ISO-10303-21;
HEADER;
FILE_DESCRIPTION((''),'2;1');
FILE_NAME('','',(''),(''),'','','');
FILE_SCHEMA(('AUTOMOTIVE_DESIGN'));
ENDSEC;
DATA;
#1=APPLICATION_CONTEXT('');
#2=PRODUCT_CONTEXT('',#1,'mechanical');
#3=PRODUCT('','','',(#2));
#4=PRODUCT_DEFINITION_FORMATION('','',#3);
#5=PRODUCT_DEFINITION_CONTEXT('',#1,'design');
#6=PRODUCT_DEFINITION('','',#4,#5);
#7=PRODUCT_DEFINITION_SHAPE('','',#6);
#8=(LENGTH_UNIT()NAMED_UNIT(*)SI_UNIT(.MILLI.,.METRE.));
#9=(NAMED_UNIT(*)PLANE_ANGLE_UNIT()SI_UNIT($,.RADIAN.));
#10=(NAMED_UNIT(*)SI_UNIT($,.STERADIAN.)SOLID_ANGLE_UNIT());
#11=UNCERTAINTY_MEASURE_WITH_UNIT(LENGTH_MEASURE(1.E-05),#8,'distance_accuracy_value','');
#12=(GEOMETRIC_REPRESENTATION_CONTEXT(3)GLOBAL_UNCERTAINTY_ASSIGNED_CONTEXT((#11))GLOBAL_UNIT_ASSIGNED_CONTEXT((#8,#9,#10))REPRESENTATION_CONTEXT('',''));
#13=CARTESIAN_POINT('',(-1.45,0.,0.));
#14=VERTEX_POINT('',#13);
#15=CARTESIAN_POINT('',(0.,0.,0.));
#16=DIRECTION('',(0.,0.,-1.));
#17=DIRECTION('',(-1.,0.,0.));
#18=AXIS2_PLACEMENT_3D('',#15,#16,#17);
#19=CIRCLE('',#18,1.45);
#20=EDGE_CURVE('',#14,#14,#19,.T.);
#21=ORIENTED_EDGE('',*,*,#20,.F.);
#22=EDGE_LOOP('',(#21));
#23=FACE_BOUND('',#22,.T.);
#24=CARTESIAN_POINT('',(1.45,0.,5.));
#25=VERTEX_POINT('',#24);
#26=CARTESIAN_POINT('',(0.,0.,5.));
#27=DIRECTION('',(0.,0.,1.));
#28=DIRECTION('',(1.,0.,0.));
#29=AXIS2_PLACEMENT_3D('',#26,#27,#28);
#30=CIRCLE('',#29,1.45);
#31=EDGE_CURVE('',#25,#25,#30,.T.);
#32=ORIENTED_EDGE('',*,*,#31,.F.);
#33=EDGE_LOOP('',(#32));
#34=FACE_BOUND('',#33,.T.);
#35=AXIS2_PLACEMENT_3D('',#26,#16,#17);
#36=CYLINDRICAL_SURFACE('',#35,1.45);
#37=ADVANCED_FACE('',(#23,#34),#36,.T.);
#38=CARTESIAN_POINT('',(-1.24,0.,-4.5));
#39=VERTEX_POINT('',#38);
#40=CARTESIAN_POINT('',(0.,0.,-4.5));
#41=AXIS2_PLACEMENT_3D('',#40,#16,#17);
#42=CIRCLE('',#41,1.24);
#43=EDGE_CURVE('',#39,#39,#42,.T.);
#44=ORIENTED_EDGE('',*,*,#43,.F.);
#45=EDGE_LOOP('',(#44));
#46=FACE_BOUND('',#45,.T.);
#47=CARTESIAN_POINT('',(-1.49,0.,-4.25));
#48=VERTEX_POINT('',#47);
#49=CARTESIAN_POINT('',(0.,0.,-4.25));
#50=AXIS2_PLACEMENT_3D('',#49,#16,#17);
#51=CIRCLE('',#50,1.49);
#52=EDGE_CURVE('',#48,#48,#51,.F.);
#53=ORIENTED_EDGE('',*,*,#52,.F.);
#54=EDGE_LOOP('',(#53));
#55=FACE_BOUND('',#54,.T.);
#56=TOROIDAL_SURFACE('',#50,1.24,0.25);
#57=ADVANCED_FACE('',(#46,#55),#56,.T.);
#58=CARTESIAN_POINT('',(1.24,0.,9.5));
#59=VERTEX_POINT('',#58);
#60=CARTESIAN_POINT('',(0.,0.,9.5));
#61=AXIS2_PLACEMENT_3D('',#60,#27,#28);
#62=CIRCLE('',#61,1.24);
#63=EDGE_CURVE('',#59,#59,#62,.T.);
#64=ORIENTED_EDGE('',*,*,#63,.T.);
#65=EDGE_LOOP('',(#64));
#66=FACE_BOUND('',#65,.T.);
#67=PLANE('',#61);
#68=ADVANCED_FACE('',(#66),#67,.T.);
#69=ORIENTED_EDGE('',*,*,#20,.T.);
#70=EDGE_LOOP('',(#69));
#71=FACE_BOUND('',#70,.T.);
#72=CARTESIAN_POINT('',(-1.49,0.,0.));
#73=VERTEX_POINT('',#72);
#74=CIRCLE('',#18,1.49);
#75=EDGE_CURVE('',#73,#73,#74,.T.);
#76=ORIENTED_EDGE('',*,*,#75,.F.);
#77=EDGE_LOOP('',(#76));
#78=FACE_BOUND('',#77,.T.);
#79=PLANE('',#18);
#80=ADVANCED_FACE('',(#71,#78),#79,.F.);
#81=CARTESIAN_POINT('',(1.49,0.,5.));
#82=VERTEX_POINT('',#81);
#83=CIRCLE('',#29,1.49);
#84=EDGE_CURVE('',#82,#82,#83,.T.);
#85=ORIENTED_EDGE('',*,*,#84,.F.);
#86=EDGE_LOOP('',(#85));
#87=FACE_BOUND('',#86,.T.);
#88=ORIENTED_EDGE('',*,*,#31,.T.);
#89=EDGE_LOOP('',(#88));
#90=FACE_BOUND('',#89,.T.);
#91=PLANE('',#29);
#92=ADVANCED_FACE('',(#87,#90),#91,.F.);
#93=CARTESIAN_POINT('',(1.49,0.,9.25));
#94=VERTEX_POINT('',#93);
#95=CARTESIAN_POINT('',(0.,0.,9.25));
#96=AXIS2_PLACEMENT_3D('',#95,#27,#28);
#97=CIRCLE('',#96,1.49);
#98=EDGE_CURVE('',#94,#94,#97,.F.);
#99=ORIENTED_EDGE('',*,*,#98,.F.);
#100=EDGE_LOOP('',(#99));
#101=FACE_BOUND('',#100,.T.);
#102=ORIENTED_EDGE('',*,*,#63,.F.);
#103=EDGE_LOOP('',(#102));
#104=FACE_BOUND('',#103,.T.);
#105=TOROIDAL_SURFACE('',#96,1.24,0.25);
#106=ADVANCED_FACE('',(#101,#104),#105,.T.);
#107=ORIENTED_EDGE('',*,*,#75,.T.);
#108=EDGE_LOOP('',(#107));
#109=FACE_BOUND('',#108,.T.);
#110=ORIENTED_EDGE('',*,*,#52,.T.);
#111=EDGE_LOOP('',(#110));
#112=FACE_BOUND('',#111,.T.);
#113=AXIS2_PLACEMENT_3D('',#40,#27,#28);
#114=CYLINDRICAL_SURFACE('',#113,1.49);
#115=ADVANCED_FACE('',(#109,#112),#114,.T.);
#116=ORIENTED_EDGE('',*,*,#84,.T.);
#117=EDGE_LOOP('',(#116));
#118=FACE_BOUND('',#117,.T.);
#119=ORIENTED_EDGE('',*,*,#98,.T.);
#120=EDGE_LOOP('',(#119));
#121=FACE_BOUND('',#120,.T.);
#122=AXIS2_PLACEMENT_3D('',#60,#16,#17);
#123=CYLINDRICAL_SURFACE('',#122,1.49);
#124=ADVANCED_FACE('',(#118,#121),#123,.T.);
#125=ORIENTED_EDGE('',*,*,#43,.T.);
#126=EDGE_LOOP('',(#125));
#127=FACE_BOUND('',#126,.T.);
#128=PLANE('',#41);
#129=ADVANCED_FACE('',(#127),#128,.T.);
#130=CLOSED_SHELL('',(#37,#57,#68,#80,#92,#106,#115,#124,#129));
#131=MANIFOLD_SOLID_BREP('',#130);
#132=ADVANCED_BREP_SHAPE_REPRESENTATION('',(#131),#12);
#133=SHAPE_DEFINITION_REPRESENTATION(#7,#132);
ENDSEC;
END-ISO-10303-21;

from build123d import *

# Parameters (mm, degrees)
SKETCH_1_R      = 1.45
EXTRUDE_1_DEPTH = 5
SKETCH_2_R      = 1.49
EXTRUDE_2_DEPTH = 4.5
EXTRUDE_START   = 4.5
SKETCH_5_R      = 1.49
EXTRUDE_3_DEPTH = 4.5
FILLET_1_R      = 0.25


with BuildPart() as part:
    # 스케치1 → 보스-돌출1 (new body)
    with BuildSketch(Plane.XY):
        Circle(SKETCH_1_R)
    extrude(amount=EXTRUDE_1_DEPTH)

    # 스케치2 → 보스-돌출2 (add)
    with BuildSketch(Plane.XY.offset(5)):
        Circle(SKETCH_2_R)
    extrude(amount=EXTRUDE_2_DEPTH)

    # 스케치5 → 보스-돌출3 (add)
    with BuildSketch(Plane(origin=(0, 0, 0), x_dir=(-1, 0, 0), z_dir=(0, 0, -1)).offset(EXTRUDE_START)):
        with Locations(Location((0, 0, 0), (0, 0, 180))):
            Circle(SKETCH_5_R)
    extrude(amount=-EXTRUDE_3_DEPTH)

    # 필렛1
    fillet_1_edges = [part.edges().sort_by_distance(p)[0] for p in [
        (-1.49, 0, -4.5),
        (-1.49, 0, 9.5),
    ]]
    fillet(fillet_1_edges, radius=FILLET_1_R)


solid = part.part
